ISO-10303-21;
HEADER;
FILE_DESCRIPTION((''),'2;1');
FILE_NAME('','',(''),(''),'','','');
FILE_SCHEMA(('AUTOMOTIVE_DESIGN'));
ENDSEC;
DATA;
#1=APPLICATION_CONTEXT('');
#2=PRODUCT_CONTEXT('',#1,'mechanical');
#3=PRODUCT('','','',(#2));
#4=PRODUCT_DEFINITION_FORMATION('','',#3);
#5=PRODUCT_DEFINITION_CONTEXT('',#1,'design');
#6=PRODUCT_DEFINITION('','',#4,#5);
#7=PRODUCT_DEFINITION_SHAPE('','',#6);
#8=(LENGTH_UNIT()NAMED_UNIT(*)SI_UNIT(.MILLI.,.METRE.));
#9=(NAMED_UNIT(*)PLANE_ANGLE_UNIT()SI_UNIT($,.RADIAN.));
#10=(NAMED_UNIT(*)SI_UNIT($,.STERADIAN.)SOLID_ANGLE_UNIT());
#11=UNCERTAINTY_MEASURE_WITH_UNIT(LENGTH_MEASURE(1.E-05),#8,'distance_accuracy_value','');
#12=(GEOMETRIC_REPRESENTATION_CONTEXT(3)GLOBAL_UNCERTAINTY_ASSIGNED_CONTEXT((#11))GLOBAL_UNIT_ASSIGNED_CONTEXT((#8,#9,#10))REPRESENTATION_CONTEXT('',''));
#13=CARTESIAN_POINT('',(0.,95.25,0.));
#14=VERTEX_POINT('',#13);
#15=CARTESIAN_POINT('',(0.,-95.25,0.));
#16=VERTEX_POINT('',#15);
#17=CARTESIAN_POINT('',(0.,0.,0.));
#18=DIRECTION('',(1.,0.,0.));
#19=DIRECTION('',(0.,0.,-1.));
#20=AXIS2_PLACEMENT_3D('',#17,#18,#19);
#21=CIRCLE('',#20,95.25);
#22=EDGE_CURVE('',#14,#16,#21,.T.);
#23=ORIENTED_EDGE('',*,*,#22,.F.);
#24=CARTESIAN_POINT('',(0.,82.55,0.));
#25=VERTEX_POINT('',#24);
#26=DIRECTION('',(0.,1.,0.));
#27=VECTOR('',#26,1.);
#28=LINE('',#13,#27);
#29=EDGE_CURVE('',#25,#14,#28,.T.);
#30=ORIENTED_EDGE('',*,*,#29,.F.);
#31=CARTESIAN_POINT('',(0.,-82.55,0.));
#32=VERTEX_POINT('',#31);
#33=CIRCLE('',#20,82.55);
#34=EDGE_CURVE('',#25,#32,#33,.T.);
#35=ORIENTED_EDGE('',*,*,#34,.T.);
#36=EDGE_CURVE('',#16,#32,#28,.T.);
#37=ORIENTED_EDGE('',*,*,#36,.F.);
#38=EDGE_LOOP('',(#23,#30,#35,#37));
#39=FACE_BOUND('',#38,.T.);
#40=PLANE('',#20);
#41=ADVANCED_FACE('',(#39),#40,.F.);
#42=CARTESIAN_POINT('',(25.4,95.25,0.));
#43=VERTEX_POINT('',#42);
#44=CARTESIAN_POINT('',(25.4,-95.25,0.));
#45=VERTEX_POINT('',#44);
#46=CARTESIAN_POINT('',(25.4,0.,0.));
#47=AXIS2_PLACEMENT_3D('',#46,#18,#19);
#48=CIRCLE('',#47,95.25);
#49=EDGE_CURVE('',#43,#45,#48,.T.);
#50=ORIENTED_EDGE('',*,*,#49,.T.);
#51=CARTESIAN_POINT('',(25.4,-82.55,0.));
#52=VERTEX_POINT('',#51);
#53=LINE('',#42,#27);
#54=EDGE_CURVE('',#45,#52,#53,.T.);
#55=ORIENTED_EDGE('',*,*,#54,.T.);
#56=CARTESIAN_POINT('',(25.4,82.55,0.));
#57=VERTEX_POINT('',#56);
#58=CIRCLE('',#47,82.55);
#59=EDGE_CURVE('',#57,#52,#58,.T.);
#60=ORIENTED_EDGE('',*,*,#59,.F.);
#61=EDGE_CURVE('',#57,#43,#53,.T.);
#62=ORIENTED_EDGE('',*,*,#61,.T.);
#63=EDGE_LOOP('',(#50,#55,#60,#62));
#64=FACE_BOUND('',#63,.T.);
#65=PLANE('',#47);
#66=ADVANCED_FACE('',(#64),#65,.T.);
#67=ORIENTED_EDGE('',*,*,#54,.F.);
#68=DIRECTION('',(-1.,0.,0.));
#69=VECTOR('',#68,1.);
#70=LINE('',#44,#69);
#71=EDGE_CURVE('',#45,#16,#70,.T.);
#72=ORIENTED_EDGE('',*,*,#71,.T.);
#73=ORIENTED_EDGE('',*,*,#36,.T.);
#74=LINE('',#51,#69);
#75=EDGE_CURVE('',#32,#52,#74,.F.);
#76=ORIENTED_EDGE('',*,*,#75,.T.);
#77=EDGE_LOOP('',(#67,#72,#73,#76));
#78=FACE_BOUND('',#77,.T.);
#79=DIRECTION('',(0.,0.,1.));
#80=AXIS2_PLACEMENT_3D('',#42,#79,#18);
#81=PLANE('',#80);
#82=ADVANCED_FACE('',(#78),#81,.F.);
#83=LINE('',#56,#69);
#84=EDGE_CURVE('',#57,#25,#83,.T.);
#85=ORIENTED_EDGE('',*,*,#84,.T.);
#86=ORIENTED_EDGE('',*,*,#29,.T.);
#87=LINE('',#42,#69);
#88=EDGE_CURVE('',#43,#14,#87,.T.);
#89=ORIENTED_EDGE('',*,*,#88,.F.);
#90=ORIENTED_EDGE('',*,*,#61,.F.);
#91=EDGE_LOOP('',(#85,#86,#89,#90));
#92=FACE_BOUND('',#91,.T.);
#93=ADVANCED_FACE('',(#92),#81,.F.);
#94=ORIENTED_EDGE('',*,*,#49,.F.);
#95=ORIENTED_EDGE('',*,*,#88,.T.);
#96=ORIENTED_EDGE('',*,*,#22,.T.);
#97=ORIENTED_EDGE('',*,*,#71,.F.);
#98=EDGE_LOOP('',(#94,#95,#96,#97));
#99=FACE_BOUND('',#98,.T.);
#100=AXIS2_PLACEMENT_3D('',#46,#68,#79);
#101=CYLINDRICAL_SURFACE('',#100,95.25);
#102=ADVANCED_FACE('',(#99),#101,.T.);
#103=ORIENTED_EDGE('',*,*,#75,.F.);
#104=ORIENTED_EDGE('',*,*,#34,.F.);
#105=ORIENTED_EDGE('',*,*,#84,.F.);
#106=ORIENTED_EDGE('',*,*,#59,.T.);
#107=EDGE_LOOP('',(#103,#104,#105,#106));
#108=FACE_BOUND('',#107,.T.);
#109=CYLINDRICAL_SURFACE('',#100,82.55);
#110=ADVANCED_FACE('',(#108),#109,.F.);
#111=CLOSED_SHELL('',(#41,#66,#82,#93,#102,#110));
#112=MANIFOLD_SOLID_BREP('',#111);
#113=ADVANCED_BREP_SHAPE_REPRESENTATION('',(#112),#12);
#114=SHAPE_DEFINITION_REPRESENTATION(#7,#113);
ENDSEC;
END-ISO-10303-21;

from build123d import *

# Parameters (mm, degrees)
SKETCH1_R           = 95.25
SKETCH1_R_2         = 82.55
BOSS_EXTRUDE1_DEPTH = 25.4
SKETCH2_W           = 95.25
SKETCH2_H           = 190.5
CUT_EXTRUDE1_DEPTH  = 25.4


with BuildPart() as part:
    # Sketch1 → Boss-Extrude1 (new body)
    with BuildSketch(Plane(origin=(0, 0, 0), x_dir=(0, 0, -1), z_dir=(1, 0, 0))):
        Circle(SKETCH1_R)
        Circle(SKETCH1_R_2, mode=Mode.SUBTRACT)
    extrude(amount=BOSS_EXTRUDE1_DEPTH)

    # Sketch2 → Cut-Extrude1 (cut)
    with BuildSketch(Plane.ZY):
        with Locations((-47.625, 0)):
            Rectangle(SKETCH2_W, SKETCH2_H)
    extrude(amount=-CUT_EXTRUDE1_DEPTH, mode=Mode.SUBTRACT)


solid = part.part
